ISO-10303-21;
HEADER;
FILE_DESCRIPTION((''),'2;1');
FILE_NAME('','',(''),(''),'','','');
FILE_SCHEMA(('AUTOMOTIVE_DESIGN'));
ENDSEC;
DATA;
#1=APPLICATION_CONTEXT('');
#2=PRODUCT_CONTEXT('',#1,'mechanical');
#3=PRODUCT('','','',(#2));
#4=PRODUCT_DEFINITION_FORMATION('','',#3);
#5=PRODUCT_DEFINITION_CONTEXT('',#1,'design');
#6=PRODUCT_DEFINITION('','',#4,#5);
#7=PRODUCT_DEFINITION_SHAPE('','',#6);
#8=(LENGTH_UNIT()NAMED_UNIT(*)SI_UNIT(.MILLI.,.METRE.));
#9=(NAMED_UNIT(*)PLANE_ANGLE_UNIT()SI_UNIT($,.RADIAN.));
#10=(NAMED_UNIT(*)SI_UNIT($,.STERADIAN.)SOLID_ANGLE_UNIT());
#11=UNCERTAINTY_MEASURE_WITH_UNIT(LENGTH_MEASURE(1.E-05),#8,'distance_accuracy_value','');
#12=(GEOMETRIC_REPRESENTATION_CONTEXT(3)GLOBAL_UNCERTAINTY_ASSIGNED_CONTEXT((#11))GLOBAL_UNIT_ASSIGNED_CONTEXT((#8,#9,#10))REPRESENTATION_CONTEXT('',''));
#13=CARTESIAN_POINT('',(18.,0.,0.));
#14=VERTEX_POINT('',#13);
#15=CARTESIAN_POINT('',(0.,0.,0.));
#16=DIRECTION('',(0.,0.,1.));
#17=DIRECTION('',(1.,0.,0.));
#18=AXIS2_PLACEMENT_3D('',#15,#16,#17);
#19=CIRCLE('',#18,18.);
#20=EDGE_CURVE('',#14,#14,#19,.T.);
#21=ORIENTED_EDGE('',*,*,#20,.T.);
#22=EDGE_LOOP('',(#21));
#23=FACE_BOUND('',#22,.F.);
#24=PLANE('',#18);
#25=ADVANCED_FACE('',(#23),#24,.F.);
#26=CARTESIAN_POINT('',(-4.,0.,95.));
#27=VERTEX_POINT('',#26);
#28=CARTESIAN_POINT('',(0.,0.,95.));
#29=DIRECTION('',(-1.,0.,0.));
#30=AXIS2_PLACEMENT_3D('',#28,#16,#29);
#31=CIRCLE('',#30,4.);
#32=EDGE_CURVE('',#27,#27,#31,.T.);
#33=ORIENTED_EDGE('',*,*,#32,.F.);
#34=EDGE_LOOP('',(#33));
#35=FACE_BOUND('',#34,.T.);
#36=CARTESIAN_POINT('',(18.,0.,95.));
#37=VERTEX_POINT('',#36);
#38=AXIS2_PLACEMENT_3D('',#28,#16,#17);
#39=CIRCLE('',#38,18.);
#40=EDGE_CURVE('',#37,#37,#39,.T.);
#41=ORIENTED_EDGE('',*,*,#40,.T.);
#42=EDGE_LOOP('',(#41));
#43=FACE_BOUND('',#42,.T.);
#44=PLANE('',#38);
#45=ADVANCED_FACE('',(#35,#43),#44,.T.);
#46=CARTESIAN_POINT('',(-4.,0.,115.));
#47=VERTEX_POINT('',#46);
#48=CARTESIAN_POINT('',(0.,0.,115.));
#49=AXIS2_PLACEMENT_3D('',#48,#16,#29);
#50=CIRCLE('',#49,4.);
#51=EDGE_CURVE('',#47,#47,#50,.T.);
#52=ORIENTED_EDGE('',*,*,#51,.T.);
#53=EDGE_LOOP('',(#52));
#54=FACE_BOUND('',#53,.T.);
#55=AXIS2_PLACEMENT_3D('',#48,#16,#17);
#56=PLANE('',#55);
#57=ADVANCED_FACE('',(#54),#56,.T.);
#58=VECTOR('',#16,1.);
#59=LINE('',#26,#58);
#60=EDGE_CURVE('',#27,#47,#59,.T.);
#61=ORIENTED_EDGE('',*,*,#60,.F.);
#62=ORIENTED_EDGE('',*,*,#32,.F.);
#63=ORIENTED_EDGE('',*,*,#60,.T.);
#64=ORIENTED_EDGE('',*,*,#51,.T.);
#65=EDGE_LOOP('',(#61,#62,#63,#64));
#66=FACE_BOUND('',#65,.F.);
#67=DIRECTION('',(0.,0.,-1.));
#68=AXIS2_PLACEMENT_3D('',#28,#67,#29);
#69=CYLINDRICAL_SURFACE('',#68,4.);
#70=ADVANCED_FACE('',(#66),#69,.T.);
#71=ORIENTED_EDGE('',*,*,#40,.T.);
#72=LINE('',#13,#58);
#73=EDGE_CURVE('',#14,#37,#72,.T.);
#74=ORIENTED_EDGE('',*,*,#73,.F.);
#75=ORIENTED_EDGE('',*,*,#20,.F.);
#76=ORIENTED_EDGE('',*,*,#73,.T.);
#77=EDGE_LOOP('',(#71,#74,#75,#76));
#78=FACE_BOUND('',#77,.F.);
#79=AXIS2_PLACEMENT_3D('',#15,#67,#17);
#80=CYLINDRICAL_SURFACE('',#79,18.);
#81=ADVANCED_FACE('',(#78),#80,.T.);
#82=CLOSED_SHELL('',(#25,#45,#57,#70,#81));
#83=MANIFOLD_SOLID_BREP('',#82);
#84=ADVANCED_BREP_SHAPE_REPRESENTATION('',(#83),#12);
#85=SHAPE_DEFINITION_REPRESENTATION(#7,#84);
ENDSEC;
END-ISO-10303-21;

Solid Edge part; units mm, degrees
sketch "Sketch1" plane through (0, 0, 0) normal (0, 0, 1) x (1, 0, 0)
  circle A0 centre (0, 0) radius 18
extrude "Protrusion1" add sketch "Sketch1" along normal blind 95
sketch "Sketch2" plane through (0, 0, 95) normal (0, 0, 1) x (-1, 0, 0)
  circle A0 centre (0, 0) radius 4
extrude "ExtrudedProtrusion_4" add sketch "Sketch2" along normal blind 20
